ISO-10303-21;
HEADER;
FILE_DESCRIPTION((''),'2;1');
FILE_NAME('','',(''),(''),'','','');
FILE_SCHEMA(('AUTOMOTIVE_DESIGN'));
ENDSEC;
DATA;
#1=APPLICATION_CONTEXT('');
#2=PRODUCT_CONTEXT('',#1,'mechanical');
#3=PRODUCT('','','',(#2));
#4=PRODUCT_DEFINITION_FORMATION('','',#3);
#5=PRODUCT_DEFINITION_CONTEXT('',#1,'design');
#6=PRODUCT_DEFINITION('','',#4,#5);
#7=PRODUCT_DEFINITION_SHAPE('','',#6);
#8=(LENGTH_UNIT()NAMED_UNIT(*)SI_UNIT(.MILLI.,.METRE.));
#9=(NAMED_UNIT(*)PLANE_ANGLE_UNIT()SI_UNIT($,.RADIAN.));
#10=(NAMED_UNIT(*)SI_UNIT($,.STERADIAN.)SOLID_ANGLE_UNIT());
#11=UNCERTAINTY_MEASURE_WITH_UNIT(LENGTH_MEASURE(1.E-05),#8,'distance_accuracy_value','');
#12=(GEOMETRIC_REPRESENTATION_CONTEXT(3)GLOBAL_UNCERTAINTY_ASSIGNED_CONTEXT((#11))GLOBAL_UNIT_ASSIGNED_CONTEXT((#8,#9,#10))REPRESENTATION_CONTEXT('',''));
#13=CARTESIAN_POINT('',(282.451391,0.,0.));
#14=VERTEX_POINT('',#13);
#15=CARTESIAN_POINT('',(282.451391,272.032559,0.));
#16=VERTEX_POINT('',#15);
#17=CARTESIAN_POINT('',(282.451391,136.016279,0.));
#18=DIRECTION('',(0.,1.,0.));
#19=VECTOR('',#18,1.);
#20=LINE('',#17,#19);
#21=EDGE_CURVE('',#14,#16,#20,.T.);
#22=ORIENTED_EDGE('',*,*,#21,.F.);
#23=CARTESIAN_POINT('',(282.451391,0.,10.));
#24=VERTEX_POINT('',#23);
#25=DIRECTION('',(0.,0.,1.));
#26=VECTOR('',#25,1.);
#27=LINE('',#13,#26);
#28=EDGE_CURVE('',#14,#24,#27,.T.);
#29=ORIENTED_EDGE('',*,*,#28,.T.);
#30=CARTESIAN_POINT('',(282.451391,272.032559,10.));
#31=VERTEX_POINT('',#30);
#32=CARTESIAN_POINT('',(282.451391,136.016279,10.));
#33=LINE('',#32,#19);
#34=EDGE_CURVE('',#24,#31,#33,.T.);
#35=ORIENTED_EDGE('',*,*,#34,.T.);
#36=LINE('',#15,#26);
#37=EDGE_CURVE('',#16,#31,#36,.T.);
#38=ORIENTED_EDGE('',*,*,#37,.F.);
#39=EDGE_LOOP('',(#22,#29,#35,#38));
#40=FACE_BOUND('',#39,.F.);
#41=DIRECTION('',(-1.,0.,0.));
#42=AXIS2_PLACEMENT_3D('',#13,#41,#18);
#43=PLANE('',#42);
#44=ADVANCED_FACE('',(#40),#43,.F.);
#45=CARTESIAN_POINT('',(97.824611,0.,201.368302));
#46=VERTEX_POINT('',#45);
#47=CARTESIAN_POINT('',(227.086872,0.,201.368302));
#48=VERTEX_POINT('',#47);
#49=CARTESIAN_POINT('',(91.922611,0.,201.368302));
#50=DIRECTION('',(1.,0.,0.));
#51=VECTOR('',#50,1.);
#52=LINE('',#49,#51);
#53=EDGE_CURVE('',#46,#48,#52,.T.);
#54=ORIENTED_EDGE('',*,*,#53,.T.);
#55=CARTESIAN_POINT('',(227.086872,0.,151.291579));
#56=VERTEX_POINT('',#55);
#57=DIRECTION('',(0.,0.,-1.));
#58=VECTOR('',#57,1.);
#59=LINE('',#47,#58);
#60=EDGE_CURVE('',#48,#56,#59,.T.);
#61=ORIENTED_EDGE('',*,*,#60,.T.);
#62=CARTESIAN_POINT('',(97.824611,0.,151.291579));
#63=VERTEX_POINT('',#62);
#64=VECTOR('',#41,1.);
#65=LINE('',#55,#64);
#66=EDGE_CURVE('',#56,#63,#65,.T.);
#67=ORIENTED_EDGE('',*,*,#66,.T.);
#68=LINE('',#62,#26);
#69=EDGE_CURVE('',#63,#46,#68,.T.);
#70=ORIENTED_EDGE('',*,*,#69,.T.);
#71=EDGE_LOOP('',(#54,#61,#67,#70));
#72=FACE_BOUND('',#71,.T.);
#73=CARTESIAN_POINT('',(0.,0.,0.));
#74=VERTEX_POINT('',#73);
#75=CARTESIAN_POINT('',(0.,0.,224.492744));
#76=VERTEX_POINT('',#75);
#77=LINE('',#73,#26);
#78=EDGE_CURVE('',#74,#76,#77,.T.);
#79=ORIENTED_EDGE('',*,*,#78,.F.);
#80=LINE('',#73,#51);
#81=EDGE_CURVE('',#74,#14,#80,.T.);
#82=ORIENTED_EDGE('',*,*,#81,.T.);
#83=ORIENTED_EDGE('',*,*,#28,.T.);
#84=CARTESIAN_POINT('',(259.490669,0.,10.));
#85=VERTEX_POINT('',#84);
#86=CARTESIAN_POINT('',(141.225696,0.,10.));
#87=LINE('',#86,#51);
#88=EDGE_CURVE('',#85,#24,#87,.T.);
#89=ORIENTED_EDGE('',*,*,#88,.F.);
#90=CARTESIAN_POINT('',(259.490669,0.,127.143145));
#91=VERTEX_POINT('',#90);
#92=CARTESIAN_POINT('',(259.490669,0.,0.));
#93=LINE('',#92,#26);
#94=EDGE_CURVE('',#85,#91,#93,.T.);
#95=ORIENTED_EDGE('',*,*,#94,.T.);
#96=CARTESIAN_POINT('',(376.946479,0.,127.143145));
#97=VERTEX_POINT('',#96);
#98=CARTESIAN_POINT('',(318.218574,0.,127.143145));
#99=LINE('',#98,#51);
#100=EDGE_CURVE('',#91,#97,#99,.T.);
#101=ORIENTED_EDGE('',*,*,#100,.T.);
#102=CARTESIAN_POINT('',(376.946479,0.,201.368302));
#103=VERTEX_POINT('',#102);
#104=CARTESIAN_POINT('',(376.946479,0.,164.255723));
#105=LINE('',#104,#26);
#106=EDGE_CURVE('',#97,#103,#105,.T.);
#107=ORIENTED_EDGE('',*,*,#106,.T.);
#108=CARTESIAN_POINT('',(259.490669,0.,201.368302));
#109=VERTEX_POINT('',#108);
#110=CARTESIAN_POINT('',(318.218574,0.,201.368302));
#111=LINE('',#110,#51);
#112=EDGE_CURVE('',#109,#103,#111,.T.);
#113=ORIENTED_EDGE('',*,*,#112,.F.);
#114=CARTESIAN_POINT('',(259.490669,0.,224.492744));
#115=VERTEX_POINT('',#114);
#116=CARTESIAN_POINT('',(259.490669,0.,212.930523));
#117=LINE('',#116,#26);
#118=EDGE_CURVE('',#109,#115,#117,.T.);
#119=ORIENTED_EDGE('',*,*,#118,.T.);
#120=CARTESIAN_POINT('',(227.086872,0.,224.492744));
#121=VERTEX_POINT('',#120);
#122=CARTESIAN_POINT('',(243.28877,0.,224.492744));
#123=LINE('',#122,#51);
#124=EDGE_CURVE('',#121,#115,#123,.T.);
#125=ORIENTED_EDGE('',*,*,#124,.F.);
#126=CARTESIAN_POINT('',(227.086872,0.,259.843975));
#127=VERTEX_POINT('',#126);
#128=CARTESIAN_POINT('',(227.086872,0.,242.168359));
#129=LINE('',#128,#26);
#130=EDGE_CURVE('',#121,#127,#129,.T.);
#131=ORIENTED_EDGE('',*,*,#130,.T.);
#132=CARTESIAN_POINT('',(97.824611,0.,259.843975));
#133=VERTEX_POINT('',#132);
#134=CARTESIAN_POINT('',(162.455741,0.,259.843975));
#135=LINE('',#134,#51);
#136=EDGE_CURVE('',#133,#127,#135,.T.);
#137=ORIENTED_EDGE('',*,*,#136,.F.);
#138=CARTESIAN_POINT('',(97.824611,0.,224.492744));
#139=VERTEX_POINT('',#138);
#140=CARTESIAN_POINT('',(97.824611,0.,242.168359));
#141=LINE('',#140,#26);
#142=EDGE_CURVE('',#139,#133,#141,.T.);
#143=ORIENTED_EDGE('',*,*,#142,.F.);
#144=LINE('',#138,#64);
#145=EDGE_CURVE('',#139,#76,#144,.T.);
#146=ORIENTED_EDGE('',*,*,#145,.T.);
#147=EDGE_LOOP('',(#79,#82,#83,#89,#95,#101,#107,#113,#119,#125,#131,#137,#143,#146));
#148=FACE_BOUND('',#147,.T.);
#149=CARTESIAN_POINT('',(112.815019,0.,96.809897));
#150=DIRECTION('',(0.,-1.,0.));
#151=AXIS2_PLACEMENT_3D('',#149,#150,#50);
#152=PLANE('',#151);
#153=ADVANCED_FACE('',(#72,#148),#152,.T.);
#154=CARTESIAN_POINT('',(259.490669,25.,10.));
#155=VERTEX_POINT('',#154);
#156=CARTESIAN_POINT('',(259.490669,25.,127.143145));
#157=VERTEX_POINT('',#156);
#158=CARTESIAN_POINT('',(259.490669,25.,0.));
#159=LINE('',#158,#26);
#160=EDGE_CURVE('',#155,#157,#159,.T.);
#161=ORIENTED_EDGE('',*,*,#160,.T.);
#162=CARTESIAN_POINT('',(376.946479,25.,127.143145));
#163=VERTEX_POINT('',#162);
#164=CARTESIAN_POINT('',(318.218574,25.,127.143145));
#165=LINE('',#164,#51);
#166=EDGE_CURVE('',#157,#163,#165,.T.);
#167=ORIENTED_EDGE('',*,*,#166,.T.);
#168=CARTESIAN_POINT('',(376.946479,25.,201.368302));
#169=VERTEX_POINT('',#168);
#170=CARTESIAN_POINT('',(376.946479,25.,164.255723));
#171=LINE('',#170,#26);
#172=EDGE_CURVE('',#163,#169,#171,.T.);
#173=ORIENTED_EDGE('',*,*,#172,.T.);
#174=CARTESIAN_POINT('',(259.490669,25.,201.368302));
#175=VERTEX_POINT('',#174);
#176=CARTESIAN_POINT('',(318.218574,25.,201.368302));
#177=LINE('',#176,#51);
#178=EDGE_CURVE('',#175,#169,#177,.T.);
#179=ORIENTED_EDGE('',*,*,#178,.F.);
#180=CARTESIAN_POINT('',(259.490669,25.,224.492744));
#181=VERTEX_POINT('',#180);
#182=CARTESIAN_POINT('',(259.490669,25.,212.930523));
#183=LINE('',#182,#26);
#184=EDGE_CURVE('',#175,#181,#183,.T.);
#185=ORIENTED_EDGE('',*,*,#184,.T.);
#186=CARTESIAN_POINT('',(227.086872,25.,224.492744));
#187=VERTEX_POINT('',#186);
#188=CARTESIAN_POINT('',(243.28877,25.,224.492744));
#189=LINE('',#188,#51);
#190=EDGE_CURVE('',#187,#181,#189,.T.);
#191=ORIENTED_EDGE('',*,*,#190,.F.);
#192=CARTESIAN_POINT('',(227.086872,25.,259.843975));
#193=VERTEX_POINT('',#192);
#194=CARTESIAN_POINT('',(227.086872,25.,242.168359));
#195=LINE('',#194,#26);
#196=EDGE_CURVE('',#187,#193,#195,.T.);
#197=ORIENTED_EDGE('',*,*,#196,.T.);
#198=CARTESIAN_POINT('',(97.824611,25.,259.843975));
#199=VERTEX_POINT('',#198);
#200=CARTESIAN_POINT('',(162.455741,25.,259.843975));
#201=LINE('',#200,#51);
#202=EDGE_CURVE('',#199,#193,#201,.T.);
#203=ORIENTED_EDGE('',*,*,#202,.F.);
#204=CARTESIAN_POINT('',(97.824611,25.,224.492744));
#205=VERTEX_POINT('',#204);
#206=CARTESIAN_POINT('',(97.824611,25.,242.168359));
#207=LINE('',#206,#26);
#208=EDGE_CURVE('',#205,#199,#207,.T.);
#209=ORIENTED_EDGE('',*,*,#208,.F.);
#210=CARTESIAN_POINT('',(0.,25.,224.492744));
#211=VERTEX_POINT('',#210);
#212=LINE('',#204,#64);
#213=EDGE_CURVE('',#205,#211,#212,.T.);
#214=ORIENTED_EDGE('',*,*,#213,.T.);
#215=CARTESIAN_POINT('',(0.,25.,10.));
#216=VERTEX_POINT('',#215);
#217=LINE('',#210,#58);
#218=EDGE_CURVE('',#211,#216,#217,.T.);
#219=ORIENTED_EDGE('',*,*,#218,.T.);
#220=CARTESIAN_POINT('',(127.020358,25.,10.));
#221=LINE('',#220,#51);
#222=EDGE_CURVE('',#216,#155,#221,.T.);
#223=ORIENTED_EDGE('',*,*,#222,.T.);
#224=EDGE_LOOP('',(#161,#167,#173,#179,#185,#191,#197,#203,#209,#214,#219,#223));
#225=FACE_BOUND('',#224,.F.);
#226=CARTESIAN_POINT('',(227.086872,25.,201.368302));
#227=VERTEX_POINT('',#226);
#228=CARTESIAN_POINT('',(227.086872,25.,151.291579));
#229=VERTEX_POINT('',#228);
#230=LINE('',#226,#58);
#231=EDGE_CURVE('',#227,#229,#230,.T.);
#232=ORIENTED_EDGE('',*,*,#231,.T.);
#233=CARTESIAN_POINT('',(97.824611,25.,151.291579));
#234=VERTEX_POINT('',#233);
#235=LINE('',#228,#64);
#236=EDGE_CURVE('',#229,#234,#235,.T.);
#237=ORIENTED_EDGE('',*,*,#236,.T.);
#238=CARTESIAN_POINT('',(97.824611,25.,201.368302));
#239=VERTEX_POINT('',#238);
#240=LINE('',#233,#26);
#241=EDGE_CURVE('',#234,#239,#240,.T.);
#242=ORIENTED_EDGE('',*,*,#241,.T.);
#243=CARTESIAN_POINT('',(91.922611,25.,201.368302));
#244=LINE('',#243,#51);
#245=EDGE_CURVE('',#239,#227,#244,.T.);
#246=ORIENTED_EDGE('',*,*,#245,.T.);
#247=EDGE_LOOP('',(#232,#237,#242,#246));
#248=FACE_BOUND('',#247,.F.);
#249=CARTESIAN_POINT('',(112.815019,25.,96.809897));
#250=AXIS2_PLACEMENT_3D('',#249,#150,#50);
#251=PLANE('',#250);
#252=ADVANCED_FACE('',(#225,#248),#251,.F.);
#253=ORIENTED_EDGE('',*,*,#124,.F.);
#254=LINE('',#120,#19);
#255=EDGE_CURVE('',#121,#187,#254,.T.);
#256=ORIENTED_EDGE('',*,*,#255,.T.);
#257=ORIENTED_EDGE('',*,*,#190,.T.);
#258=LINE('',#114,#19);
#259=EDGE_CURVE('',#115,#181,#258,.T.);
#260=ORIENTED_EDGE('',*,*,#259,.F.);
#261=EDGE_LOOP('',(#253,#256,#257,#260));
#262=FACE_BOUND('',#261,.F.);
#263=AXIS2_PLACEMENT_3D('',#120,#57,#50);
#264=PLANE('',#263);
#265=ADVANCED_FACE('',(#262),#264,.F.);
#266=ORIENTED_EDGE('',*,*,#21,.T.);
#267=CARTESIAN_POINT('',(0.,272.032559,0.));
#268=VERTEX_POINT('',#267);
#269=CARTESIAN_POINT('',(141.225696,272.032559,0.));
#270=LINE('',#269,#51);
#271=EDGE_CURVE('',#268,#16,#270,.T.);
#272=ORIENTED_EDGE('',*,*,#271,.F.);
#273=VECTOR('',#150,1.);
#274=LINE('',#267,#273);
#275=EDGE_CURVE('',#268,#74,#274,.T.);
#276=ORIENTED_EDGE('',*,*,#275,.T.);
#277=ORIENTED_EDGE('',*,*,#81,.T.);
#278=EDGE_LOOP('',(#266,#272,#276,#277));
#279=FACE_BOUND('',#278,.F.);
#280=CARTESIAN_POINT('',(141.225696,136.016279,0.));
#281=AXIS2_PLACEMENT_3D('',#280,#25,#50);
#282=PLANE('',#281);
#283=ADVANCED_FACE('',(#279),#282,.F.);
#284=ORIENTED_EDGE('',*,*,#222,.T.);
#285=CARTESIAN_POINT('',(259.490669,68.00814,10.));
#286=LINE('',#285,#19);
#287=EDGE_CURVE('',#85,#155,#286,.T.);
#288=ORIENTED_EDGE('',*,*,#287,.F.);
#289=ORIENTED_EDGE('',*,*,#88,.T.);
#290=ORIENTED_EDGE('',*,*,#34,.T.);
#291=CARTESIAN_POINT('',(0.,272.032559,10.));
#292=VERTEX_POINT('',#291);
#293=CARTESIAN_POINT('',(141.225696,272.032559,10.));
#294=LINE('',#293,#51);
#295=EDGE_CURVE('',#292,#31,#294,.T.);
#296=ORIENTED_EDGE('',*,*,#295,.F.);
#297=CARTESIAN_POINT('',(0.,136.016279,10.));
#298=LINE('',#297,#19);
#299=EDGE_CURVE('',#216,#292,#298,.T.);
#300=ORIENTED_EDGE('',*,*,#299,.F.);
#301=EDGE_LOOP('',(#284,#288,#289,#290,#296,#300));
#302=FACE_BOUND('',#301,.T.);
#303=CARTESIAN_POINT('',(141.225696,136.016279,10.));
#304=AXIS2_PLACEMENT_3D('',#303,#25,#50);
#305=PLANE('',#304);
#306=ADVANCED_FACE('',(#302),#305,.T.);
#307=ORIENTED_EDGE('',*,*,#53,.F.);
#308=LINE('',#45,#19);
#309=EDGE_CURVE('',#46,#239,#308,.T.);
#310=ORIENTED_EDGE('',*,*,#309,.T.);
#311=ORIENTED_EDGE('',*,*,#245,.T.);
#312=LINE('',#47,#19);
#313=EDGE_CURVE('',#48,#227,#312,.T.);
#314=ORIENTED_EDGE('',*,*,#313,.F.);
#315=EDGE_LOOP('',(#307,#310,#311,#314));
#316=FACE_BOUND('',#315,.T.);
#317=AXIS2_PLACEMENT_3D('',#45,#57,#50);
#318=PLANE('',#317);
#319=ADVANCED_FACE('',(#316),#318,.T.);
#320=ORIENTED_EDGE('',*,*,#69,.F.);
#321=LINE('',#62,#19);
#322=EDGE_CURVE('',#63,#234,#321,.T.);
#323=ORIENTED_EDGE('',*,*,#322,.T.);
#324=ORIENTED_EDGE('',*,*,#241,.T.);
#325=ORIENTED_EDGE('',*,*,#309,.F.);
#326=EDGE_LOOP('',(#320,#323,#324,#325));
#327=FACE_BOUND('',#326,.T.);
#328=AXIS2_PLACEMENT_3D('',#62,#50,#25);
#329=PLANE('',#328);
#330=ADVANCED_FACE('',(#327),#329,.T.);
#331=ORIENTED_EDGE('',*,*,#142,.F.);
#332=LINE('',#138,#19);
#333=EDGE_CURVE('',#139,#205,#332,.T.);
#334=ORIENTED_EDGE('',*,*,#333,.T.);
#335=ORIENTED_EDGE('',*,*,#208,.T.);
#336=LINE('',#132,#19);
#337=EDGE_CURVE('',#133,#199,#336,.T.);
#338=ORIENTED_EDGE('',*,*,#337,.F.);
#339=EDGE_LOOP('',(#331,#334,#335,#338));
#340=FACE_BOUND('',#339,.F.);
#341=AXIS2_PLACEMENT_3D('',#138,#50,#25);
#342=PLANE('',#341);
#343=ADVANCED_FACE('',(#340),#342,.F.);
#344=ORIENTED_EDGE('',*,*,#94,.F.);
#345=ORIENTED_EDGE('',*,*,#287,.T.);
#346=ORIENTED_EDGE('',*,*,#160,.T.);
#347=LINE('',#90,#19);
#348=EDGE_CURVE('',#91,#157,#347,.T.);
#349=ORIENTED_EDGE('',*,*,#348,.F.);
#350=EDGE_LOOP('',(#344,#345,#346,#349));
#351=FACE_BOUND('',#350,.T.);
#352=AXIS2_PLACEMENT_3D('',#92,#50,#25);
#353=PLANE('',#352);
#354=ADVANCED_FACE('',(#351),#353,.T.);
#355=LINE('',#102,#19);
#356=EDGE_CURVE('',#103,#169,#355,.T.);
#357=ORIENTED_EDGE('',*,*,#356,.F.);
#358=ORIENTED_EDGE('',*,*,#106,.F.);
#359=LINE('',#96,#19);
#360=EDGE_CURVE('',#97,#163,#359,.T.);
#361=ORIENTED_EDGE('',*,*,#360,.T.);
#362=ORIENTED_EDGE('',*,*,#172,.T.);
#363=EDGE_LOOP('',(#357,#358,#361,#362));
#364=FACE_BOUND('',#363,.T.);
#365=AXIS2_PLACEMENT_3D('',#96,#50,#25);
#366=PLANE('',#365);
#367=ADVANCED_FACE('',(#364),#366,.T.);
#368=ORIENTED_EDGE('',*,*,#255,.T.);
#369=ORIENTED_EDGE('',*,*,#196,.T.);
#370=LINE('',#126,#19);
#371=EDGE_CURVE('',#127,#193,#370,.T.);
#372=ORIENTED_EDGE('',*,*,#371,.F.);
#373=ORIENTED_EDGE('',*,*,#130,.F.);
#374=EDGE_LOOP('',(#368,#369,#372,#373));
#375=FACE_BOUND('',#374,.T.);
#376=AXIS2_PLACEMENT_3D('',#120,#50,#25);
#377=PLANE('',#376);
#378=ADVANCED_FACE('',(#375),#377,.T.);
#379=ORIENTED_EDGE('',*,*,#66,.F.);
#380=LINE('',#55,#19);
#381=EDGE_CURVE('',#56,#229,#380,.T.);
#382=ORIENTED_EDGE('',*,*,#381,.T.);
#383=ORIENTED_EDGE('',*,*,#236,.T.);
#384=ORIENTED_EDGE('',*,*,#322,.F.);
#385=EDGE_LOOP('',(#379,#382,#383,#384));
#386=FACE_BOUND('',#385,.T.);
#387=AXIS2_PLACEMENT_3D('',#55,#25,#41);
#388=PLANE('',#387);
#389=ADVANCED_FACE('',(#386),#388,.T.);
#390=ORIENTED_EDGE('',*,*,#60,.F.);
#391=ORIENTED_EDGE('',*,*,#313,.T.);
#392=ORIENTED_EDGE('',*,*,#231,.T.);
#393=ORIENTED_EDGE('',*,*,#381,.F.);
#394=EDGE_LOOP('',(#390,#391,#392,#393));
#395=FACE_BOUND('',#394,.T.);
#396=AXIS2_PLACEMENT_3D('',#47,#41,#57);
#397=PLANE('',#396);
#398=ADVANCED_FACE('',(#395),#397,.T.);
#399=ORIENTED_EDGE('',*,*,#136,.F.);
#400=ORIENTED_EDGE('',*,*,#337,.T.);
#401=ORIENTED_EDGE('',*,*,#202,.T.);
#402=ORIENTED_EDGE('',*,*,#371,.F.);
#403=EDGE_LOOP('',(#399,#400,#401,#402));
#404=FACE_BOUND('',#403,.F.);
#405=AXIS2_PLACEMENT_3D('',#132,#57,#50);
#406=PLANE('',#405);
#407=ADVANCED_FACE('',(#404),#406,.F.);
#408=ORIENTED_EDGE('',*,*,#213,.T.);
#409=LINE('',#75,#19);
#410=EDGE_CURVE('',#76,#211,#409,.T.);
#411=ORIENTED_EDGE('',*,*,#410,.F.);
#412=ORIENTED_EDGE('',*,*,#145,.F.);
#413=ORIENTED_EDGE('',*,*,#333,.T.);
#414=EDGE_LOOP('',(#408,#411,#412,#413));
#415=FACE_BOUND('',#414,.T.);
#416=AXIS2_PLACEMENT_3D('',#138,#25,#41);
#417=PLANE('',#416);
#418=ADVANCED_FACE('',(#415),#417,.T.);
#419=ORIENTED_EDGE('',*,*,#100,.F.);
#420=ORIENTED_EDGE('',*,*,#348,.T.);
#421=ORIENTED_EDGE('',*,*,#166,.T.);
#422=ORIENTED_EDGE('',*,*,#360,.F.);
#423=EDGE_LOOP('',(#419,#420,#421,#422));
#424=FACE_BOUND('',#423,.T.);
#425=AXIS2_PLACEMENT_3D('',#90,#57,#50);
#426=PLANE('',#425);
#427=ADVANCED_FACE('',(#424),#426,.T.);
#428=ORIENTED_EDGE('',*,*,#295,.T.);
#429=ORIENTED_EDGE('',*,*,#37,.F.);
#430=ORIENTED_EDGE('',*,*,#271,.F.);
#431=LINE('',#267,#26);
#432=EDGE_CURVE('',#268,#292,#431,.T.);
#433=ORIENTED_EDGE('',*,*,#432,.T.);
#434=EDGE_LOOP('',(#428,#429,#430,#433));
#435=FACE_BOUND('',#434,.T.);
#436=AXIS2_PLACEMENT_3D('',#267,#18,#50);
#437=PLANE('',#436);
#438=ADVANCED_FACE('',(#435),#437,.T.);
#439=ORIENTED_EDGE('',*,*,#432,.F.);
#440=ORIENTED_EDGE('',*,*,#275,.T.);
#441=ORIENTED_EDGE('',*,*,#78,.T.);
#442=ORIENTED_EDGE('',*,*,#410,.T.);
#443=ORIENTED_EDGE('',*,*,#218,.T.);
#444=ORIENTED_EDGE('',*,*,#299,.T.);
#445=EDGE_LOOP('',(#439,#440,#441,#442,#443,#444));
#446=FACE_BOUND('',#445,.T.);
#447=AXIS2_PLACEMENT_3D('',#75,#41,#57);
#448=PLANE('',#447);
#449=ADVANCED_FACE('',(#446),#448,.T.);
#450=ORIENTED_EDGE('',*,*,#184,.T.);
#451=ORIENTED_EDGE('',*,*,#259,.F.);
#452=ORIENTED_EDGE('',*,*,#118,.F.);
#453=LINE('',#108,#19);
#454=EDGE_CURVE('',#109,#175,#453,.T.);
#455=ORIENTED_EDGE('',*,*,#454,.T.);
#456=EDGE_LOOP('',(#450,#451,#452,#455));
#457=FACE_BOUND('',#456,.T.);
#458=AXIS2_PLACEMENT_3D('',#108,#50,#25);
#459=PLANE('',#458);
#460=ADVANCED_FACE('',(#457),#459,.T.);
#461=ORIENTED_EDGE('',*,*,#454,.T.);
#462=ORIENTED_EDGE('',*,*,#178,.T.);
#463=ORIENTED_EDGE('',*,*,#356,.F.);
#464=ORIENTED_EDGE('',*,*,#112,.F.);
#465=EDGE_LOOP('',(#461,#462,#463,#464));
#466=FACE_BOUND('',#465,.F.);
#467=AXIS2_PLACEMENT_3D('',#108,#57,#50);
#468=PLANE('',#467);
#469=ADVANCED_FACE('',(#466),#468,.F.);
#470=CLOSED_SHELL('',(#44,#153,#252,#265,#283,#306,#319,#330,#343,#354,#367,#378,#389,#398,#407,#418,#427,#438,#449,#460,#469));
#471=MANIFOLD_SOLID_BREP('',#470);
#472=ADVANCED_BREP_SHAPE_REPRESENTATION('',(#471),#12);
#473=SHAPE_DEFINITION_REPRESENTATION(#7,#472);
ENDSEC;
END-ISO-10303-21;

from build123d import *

# Parameters (mm, degrees)
F0_W     = 282.4513912201
F0_H     = 272.032558918
F1_DEPTH = 10
F2_W     = 117.4558103085
F2_H     = 74.2251574993
F2_W_2   = 129.2622610927
F2_H_2   = 35.3512316942
F2_W_3   = 32.4037969112
F2_H_3   = 23.1244415045
F3_DEPTH = 25


with BuildPart() as f1:
    # F0 (on Top) → F1 (new body)
    with BuildSketch(Plane.XY):
        with Locations((141.22569561, 136.016279459)):
            Rectangle(F0_W, F0_H)
    extrude(amount=F1_DEPTH)

    # F2 (on Front) → F3 (join)
    with BuildSketch(Plane.XZ):
        Polygon((0, 224.4927436113), (0, 0), (259.4906687737, 0), (259.4906687737, 127.1431446075), (91.9226109982, 127.1431446075), (91.9226109982, 201.3683021069), (97.8246107697, 201.3683021069), (97.8246107697, 224.4927436113), align=None)
        with Locations((318.2185739279, 164.2557233572)):
            Rectangle(F2_W, F2_H)
        with Locations((162.4557413161, 242.1683594584)):
            Rectangle(F2_W_2, F2_H_2)
        with Locations((243.288770318, 212.9305228591)):
            Rectangle(F2_W_3, F2_H_3)
        with Locations((162.4557413161, 212.9305228591)):
            Rectangle(F2_W_2, F2_H_3)
        Polygon((91.9226109982, 127.1431446075), (259.4906687737, 127.1431446075), (259.4906687737, 201.3683021069), (227.0868718624, 201.3683021069), (227.0868718624, 151.2915790081), (97.8246107697, 151.2915790081), (97.8246107697, 201.3683021069), (91.9226109982, 201.3683021069), align=None)
    extrude(amount=-F3_DEPTH)


solid = f1.part
